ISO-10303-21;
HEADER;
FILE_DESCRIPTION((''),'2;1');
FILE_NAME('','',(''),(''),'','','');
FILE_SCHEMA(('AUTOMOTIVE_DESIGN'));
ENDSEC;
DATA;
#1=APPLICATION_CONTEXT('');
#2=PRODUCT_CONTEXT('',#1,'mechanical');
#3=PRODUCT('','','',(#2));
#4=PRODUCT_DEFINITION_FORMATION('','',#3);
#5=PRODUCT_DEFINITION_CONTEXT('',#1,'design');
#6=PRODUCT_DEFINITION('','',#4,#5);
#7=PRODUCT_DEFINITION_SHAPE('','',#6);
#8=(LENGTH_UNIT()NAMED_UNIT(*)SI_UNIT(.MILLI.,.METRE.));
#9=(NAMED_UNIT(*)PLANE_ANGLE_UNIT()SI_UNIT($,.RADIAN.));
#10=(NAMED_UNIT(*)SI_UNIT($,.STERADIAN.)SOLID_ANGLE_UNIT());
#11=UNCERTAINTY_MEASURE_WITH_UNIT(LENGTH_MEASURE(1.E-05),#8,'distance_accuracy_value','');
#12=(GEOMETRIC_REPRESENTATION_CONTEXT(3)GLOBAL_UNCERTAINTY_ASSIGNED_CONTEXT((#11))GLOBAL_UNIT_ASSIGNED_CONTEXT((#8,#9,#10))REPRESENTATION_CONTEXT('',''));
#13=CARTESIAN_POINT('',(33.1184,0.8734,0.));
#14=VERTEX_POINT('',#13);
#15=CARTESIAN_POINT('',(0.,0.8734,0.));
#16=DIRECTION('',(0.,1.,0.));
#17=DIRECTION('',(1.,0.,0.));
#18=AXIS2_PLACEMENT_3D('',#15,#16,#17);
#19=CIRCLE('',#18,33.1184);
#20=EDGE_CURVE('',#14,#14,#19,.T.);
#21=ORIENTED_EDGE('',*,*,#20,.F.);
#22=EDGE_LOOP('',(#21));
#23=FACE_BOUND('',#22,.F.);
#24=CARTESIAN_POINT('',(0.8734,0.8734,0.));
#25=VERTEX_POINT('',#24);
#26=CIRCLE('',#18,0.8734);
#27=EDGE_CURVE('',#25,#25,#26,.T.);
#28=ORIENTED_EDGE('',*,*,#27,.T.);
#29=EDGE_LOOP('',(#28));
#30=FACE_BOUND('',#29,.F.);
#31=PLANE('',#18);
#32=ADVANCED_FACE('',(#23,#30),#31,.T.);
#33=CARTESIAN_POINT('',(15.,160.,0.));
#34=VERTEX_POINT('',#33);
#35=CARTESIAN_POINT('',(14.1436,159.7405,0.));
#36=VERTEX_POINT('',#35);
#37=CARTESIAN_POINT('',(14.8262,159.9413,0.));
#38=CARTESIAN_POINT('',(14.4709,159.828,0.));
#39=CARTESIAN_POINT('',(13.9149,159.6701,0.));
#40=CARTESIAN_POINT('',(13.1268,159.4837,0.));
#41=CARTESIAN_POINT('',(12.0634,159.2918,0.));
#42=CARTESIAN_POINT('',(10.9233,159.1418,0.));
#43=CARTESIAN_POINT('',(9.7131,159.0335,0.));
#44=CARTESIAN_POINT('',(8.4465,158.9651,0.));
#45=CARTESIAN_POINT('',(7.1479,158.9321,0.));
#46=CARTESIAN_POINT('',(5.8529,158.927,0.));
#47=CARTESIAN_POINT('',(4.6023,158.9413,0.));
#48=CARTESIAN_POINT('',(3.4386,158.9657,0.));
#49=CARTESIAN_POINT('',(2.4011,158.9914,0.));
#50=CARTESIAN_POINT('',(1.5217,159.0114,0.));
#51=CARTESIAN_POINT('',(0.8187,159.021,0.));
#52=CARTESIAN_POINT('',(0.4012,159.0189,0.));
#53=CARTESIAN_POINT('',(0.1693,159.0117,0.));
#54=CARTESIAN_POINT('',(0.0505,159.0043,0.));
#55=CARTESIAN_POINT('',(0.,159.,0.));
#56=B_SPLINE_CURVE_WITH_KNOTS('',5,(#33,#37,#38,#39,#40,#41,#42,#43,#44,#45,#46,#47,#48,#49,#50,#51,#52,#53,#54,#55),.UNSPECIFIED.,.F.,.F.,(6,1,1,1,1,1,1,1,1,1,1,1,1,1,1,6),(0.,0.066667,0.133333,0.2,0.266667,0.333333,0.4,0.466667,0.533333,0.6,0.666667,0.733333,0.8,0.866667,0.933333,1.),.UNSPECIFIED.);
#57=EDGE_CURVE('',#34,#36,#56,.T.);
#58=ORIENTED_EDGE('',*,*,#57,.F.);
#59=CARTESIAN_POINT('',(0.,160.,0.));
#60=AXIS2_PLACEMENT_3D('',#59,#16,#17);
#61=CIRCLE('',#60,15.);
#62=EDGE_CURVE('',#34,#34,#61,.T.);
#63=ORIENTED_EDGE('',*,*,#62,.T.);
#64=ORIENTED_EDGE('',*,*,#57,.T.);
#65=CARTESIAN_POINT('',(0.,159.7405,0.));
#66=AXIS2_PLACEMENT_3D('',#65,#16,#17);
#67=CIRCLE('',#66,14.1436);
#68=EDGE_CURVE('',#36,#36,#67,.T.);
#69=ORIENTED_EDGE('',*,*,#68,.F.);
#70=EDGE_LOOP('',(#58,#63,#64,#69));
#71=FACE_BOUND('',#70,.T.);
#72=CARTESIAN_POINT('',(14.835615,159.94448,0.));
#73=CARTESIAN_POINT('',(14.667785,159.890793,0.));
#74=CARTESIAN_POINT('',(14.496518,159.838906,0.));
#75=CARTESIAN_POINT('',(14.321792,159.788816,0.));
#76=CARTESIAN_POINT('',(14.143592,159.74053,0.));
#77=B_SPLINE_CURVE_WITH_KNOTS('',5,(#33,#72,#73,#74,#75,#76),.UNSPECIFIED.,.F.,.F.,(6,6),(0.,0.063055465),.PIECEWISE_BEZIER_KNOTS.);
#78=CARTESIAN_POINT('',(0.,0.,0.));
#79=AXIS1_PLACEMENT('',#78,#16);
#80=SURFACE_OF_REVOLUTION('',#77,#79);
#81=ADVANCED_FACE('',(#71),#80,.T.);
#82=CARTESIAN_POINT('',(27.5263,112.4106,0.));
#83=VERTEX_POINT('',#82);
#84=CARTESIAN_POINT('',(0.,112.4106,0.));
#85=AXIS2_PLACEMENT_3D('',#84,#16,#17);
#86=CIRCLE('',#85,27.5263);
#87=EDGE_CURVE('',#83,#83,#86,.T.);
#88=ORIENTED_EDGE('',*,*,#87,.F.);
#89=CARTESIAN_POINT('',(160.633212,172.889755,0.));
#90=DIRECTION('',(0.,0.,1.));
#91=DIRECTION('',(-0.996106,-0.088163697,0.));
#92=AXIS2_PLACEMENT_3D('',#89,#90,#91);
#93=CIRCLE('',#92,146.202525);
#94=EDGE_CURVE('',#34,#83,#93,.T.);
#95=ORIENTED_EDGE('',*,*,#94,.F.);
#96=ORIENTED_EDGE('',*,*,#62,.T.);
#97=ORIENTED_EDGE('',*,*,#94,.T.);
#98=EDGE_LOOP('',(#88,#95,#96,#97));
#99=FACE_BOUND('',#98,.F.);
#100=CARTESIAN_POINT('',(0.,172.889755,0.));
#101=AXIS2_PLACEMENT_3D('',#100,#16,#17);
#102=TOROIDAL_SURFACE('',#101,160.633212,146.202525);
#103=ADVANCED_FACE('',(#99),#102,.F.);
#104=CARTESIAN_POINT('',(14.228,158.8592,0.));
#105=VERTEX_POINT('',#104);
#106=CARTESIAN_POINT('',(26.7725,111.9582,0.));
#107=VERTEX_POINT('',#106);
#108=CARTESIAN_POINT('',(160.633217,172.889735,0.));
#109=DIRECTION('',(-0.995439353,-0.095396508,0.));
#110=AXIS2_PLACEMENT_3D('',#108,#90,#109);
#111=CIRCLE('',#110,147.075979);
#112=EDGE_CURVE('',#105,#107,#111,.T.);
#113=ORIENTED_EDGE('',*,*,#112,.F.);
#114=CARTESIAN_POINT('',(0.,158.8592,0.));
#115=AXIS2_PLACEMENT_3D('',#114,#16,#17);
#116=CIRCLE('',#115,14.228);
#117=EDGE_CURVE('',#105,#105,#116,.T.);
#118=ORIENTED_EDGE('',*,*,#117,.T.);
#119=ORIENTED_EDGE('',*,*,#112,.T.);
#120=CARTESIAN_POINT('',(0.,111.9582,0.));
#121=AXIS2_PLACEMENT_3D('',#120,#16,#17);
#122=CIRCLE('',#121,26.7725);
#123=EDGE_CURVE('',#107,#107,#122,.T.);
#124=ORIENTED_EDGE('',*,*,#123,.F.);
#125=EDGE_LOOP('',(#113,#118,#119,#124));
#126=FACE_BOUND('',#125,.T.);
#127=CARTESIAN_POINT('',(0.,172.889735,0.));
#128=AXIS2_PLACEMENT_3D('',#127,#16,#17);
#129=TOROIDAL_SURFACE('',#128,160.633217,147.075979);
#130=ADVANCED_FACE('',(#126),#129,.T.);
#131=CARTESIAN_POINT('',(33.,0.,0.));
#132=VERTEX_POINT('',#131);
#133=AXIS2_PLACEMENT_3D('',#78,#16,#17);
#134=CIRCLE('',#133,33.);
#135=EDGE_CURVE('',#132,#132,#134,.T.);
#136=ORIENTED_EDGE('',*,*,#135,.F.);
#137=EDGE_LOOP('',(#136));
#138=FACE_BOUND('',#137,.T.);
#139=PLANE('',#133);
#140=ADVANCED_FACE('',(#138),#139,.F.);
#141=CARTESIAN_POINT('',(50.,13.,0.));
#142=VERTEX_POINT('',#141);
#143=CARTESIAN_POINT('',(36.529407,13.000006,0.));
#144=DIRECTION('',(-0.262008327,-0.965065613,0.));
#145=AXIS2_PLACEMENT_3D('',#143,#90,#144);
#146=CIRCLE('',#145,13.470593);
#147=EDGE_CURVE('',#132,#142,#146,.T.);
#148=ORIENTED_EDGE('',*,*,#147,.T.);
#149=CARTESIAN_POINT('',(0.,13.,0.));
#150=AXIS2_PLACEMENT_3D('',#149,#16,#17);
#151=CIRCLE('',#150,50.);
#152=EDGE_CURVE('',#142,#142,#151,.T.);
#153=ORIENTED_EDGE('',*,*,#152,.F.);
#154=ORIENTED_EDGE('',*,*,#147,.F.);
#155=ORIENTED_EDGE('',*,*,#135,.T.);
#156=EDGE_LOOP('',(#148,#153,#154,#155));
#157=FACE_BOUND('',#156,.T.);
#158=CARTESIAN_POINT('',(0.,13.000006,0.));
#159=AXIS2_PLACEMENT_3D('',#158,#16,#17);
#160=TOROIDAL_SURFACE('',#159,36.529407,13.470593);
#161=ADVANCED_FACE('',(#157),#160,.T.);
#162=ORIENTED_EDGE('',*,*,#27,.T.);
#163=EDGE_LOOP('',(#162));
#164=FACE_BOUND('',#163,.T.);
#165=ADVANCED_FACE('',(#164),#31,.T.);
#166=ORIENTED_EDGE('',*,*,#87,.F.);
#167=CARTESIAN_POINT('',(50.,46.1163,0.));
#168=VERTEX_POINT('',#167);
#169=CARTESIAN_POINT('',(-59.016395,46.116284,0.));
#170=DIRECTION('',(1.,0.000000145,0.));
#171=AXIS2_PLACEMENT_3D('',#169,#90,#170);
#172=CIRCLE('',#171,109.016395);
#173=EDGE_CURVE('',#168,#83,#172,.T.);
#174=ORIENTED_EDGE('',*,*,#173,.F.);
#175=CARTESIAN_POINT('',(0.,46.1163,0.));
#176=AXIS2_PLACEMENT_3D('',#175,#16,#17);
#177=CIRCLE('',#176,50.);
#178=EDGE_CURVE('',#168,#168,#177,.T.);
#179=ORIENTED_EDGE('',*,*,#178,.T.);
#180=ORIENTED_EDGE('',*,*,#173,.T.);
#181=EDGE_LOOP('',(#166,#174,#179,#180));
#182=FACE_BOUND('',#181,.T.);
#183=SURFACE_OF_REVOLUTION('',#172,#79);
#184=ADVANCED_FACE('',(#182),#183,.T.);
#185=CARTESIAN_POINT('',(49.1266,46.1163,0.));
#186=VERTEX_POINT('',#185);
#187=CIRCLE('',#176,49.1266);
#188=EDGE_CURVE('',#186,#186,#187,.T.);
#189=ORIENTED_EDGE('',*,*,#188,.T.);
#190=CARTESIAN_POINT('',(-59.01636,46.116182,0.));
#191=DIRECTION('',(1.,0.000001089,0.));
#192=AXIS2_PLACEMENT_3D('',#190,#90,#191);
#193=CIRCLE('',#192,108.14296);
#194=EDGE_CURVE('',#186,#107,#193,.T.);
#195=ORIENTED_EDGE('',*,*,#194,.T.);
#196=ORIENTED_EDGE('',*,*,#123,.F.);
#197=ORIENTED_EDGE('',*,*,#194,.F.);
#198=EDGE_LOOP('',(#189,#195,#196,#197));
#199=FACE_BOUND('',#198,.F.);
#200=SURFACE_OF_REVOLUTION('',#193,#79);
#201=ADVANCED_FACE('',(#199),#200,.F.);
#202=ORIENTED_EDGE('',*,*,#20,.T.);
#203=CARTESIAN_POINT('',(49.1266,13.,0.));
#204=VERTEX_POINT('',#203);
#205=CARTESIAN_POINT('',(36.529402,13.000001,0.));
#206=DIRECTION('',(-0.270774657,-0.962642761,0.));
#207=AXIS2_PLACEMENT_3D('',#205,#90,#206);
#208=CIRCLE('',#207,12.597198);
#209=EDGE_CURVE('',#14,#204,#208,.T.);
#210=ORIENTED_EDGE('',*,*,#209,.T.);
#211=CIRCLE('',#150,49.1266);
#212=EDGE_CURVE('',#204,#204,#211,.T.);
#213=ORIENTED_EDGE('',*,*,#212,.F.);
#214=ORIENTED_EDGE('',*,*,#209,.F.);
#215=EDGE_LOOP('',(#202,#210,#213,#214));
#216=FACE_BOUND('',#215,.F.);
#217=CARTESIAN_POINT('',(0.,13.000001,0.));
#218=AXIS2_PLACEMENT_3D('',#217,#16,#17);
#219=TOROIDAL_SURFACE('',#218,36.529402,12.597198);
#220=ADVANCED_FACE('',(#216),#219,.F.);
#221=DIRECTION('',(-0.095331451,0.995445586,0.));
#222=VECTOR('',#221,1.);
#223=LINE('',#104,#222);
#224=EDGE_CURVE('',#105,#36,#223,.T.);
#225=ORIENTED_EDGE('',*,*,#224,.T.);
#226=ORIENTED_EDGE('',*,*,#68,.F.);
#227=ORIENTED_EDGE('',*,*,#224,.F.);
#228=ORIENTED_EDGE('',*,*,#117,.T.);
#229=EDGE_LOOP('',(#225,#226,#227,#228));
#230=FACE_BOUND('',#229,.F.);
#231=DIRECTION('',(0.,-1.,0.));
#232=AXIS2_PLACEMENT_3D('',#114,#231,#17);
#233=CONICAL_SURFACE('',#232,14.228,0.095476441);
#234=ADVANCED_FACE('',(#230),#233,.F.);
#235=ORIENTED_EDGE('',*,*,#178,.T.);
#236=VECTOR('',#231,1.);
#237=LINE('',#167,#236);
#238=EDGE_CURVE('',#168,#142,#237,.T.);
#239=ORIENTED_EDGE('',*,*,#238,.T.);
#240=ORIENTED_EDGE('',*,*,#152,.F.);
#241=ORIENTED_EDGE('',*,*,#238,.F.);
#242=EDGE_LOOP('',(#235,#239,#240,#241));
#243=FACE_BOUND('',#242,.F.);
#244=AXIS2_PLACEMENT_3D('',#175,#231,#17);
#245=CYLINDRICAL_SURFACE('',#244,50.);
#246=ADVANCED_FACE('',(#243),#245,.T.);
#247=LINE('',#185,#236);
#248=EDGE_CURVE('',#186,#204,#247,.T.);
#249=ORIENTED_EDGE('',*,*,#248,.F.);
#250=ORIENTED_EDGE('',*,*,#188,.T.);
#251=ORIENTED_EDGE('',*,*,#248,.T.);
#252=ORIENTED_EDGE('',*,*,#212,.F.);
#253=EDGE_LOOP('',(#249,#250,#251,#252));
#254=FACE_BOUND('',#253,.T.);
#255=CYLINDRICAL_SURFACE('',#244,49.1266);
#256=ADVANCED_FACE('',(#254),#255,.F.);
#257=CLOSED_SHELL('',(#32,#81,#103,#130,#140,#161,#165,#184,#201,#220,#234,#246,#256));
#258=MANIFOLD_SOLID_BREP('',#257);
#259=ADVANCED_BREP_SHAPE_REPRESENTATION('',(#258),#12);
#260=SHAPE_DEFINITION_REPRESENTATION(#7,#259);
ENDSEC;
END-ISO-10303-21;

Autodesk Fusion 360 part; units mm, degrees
sketch "Sketch1" plane through (0, 0, 0) normal (0, 0, 1) x (1, 0, 0)
  line L0 (50, 13) -> (60, 13) construction
  arc A0 (33, 0) -> (50, 13) centre (36.5294, 13) ccw
  line L1 (0, 0) -> (33, 0)
  line L2 (50, 13) -> (50, 50) construction
  arc A1 (15, 160) -> (27.5263, 112.4106) centre (160.6332, 172.8898) ccw
  line L3 (50, 46.1163) -> (50, 13)
  arc A2 (50, 46.1163) -> (27.5263, 112.4106) centre (-59.0164, 46.1163) ccw
  line L4 (0, 0) -> (0, 159)
  spline S0 degree 5 poles (15, 160) (14.8262, 159.9413) (14.4709, 159.828) (13.9149, 159.6701) (13.1268, 159.4837) (12.0634, 159.2918) (10.9233, 159.1418) (9.7131, 159.0335) (8.4465, 158.9651) (7.1479, 158.9321) (5.8529, 158.927) (4.6023, 158.9413) (3.4386, 158.9657) (2.4011, 158.9914) (1.5217, 159.0114) (0.8187, 159.021) (0.4012, 159.0189) (0.1693, 159.0117) (0.0505, 159.0043) (0, 159) knots 0 0 0 0 0 0 0.066667 0.133333 0.2 0.266667 0.333333 0.4 0.466667 0.533333 0.6 0.666667 0.733333 0.8 0.866667 0.933333 1 1 1 1 1 1
  arc A3 (14.228, 158.8592) -> (26.7725, 111.9582) centre (160.6332, 172.8898) ccw
  arc A4 (49.1266, 46.1163) -> (26.7725, 111.9582) centre (-59.0164, 46.1163) ccw
  line L5 (49.1266, 46.1163) -> (49.1266, 13)
  arc A5 (33.1184, 0.8734) -> (49.1266, 13) centre (36.5294, 13) ccw
  line L6 (0.8734, 0.8734) -> (33.1184, 0.8734)
  line L7 (14.228, 158.8592) -> (14.1436, 159.7405)
  line L8 (0.8734, 0.8734) -> (0, 0.8734)
  point P0 (9, 159)
  point P1 (2, 159)
  dimension "d4" = 13
  dimension "d5" = 13.4706
  dimension "d6" = 70
revolve "Revolve1" add sketch "Sketch1" angle 360 about axis through (0, 0, 0) along (0, 1, 0) contours A0 L1 A1 L3 A2 L4 S0 A3 A4 L5 A5 L6 L7 L8
